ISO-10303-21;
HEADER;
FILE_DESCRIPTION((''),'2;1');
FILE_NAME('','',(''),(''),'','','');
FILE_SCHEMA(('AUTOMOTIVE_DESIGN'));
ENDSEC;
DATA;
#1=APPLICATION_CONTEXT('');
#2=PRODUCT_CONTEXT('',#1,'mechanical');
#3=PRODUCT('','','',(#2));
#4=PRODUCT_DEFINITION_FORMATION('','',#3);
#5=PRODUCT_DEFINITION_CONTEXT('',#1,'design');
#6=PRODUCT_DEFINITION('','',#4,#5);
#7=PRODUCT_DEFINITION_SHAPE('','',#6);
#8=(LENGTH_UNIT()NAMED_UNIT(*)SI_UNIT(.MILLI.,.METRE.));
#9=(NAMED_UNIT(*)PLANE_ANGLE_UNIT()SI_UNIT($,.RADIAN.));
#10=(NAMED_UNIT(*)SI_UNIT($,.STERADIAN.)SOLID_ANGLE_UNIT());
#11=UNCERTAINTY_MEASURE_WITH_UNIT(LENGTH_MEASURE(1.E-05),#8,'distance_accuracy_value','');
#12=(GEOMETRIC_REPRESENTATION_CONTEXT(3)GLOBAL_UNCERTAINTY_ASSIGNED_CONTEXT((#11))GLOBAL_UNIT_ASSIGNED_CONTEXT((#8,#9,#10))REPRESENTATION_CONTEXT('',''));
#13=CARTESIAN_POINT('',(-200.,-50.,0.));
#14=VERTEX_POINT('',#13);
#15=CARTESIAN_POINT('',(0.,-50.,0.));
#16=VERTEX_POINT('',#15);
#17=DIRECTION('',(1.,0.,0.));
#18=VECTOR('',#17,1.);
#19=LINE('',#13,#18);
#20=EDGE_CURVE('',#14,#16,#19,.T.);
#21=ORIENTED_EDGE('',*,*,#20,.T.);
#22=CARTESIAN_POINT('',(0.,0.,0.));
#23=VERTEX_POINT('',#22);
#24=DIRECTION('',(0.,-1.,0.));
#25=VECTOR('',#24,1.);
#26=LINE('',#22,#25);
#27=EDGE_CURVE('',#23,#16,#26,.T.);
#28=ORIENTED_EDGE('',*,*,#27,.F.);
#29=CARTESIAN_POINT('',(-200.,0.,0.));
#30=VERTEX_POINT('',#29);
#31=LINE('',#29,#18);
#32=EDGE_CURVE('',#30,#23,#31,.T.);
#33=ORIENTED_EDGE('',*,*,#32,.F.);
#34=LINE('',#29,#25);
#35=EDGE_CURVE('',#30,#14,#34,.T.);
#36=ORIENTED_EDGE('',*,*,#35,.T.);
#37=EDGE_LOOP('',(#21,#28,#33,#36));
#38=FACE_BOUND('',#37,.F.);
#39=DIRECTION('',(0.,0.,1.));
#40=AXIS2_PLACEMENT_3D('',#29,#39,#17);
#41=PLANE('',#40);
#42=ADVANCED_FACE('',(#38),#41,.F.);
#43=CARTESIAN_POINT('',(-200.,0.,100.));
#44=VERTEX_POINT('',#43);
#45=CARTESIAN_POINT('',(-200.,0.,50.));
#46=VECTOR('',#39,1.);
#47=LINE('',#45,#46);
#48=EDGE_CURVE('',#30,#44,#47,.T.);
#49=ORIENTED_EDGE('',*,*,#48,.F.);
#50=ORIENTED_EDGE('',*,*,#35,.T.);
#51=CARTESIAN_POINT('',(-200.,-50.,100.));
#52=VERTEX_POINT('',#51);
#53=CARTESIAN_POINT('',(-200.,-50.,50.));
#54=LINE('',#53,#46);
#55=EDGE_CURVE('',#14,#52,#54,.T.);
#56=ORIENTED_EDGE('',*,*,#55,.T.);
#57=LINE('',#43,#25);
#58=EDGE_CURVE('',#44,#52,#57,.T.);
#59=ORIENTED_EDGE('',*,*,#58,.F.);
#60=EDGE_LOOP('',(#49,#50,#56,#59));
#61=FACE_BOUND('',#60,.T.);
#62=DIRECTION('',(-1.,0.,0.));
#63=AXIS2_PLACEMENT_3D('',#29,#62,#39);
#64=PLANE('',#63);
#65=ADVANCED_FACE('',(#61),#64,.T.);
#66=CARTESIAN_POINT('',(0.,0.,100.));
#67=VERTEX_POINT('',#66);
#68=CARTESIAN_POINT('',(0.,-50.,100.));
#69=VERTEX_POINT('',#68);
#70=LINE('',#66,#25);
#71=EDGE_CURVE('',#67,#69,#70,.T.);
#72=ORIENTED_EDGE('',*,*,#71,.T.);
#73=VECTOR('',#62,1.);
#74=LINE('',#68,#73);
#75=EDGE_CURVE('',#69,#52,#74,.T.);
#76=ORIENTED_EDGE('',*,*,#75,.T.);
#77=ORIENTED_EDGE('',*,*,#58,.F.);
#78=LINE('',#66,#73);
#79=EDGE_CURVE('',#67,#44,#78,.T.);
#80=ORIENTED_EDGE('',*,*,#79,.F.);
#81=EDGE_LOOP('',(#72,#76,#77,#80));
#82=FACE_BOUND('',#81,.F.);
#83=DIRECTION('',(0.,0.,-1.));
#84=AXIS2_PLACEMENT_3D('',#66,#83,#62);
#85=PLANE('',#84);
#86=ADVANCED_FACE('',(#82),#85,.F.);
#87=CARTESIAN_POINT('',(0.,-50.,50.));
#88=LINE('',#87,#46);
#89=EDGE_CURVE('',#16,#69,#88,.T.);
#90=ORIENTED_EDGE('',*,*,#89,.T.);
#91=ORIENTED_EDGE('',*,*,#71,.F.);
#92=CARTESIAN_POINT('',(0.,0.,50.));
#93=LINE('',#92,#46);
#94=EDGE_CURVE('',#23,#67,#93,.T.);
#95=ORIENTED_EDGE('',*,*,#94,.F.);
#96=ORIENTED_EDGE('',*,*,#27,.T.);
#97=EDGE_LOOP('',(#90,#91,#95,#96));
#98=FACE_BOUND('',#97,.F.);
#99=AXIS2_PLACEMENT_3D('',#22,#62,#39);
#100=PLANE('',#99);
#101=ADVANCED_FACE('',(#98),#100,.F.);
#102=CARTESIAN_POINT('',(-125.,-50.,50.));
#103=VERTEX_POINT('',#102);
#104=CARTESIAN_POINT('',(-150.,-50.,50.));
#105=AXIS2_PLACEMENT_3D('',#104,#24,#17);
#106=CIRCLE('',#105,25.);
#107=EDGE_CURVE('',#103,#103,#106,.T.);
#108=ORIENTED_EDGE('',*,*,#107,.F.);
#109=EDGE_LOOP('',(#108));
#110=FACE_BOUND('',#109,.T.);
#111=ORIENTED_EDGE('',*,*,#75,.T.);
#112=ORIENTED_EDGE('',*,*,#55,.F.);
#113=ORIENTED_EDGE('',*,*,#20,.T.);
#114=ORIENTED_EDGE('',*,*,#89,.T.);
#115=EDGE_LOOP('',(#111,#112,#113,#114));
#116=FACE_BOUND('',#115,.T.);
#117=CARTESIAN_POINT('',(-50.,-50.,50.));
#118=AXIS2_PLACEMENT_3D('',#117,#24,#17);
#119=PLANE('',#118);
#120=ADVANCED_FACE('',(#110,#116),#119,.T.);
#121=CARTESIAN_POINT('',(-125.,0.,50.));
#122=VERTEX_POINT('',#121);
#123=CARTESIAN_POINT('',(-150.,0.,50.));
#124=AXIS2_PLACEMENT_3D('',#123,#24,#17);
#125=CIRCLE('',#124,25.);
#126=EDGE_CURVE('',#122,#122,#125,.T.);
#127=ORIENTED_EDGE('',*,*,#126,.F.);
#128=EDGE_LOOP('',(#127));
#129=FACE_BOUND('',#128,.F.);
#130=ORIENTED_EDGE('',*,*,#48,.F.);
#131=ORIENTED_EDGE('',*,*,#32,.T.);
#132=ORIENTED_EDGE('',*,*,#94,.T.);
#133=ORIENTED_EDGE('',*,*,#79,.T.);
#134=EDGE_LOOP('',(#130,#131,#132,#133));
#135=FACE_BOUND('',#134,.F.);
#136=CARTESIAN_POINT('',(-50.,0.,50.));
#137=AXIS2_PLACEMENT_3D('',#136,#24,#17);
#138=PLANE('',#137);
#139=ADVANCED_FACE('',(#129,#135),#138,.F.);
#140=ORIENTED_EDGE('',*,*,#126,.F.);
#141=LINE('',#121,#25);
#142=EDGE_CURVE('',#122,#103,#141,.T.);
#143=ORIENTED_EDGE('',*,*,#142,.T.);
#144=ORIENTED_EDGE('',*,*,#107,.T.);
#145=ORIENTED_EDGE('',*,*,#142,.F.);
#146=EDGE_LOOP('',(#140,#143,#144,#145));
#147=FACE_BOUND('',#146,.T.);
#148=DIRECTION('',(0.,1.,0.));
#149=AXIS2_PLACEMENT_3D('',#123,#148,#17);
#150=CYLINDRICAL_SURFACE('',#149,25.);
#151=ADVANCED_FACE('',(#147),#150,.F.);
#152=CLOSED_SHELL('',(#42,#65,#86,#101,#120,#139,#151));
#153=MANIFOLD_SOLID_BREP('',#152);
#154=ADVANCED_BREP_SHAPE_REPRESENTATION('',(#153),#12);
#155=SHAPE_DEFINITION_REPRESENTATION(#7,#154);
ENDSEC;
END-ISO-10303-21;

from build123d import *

# Parameters (mm, degrees)
F0_W     = 100
F0_H     = 100
F0_R     = 25
F1_DEPTH = 50


with BuildPart() as f1:
    # F0 (on Front) → F1 (new body)
    with BuildSketch(Plane.XZ):
        with Locations((-50, 50)):
            Rectangle(F0_W, F0_H)
        with Locations((-150, 50)):
            Rectangle(F0_W, F0_H)
        with Locations((-150, 50)):
            Circle(F0_R, mode=Mode.SUBTRACT)
    extrude(amount=F1_DEPTH)


solid = f1.part
